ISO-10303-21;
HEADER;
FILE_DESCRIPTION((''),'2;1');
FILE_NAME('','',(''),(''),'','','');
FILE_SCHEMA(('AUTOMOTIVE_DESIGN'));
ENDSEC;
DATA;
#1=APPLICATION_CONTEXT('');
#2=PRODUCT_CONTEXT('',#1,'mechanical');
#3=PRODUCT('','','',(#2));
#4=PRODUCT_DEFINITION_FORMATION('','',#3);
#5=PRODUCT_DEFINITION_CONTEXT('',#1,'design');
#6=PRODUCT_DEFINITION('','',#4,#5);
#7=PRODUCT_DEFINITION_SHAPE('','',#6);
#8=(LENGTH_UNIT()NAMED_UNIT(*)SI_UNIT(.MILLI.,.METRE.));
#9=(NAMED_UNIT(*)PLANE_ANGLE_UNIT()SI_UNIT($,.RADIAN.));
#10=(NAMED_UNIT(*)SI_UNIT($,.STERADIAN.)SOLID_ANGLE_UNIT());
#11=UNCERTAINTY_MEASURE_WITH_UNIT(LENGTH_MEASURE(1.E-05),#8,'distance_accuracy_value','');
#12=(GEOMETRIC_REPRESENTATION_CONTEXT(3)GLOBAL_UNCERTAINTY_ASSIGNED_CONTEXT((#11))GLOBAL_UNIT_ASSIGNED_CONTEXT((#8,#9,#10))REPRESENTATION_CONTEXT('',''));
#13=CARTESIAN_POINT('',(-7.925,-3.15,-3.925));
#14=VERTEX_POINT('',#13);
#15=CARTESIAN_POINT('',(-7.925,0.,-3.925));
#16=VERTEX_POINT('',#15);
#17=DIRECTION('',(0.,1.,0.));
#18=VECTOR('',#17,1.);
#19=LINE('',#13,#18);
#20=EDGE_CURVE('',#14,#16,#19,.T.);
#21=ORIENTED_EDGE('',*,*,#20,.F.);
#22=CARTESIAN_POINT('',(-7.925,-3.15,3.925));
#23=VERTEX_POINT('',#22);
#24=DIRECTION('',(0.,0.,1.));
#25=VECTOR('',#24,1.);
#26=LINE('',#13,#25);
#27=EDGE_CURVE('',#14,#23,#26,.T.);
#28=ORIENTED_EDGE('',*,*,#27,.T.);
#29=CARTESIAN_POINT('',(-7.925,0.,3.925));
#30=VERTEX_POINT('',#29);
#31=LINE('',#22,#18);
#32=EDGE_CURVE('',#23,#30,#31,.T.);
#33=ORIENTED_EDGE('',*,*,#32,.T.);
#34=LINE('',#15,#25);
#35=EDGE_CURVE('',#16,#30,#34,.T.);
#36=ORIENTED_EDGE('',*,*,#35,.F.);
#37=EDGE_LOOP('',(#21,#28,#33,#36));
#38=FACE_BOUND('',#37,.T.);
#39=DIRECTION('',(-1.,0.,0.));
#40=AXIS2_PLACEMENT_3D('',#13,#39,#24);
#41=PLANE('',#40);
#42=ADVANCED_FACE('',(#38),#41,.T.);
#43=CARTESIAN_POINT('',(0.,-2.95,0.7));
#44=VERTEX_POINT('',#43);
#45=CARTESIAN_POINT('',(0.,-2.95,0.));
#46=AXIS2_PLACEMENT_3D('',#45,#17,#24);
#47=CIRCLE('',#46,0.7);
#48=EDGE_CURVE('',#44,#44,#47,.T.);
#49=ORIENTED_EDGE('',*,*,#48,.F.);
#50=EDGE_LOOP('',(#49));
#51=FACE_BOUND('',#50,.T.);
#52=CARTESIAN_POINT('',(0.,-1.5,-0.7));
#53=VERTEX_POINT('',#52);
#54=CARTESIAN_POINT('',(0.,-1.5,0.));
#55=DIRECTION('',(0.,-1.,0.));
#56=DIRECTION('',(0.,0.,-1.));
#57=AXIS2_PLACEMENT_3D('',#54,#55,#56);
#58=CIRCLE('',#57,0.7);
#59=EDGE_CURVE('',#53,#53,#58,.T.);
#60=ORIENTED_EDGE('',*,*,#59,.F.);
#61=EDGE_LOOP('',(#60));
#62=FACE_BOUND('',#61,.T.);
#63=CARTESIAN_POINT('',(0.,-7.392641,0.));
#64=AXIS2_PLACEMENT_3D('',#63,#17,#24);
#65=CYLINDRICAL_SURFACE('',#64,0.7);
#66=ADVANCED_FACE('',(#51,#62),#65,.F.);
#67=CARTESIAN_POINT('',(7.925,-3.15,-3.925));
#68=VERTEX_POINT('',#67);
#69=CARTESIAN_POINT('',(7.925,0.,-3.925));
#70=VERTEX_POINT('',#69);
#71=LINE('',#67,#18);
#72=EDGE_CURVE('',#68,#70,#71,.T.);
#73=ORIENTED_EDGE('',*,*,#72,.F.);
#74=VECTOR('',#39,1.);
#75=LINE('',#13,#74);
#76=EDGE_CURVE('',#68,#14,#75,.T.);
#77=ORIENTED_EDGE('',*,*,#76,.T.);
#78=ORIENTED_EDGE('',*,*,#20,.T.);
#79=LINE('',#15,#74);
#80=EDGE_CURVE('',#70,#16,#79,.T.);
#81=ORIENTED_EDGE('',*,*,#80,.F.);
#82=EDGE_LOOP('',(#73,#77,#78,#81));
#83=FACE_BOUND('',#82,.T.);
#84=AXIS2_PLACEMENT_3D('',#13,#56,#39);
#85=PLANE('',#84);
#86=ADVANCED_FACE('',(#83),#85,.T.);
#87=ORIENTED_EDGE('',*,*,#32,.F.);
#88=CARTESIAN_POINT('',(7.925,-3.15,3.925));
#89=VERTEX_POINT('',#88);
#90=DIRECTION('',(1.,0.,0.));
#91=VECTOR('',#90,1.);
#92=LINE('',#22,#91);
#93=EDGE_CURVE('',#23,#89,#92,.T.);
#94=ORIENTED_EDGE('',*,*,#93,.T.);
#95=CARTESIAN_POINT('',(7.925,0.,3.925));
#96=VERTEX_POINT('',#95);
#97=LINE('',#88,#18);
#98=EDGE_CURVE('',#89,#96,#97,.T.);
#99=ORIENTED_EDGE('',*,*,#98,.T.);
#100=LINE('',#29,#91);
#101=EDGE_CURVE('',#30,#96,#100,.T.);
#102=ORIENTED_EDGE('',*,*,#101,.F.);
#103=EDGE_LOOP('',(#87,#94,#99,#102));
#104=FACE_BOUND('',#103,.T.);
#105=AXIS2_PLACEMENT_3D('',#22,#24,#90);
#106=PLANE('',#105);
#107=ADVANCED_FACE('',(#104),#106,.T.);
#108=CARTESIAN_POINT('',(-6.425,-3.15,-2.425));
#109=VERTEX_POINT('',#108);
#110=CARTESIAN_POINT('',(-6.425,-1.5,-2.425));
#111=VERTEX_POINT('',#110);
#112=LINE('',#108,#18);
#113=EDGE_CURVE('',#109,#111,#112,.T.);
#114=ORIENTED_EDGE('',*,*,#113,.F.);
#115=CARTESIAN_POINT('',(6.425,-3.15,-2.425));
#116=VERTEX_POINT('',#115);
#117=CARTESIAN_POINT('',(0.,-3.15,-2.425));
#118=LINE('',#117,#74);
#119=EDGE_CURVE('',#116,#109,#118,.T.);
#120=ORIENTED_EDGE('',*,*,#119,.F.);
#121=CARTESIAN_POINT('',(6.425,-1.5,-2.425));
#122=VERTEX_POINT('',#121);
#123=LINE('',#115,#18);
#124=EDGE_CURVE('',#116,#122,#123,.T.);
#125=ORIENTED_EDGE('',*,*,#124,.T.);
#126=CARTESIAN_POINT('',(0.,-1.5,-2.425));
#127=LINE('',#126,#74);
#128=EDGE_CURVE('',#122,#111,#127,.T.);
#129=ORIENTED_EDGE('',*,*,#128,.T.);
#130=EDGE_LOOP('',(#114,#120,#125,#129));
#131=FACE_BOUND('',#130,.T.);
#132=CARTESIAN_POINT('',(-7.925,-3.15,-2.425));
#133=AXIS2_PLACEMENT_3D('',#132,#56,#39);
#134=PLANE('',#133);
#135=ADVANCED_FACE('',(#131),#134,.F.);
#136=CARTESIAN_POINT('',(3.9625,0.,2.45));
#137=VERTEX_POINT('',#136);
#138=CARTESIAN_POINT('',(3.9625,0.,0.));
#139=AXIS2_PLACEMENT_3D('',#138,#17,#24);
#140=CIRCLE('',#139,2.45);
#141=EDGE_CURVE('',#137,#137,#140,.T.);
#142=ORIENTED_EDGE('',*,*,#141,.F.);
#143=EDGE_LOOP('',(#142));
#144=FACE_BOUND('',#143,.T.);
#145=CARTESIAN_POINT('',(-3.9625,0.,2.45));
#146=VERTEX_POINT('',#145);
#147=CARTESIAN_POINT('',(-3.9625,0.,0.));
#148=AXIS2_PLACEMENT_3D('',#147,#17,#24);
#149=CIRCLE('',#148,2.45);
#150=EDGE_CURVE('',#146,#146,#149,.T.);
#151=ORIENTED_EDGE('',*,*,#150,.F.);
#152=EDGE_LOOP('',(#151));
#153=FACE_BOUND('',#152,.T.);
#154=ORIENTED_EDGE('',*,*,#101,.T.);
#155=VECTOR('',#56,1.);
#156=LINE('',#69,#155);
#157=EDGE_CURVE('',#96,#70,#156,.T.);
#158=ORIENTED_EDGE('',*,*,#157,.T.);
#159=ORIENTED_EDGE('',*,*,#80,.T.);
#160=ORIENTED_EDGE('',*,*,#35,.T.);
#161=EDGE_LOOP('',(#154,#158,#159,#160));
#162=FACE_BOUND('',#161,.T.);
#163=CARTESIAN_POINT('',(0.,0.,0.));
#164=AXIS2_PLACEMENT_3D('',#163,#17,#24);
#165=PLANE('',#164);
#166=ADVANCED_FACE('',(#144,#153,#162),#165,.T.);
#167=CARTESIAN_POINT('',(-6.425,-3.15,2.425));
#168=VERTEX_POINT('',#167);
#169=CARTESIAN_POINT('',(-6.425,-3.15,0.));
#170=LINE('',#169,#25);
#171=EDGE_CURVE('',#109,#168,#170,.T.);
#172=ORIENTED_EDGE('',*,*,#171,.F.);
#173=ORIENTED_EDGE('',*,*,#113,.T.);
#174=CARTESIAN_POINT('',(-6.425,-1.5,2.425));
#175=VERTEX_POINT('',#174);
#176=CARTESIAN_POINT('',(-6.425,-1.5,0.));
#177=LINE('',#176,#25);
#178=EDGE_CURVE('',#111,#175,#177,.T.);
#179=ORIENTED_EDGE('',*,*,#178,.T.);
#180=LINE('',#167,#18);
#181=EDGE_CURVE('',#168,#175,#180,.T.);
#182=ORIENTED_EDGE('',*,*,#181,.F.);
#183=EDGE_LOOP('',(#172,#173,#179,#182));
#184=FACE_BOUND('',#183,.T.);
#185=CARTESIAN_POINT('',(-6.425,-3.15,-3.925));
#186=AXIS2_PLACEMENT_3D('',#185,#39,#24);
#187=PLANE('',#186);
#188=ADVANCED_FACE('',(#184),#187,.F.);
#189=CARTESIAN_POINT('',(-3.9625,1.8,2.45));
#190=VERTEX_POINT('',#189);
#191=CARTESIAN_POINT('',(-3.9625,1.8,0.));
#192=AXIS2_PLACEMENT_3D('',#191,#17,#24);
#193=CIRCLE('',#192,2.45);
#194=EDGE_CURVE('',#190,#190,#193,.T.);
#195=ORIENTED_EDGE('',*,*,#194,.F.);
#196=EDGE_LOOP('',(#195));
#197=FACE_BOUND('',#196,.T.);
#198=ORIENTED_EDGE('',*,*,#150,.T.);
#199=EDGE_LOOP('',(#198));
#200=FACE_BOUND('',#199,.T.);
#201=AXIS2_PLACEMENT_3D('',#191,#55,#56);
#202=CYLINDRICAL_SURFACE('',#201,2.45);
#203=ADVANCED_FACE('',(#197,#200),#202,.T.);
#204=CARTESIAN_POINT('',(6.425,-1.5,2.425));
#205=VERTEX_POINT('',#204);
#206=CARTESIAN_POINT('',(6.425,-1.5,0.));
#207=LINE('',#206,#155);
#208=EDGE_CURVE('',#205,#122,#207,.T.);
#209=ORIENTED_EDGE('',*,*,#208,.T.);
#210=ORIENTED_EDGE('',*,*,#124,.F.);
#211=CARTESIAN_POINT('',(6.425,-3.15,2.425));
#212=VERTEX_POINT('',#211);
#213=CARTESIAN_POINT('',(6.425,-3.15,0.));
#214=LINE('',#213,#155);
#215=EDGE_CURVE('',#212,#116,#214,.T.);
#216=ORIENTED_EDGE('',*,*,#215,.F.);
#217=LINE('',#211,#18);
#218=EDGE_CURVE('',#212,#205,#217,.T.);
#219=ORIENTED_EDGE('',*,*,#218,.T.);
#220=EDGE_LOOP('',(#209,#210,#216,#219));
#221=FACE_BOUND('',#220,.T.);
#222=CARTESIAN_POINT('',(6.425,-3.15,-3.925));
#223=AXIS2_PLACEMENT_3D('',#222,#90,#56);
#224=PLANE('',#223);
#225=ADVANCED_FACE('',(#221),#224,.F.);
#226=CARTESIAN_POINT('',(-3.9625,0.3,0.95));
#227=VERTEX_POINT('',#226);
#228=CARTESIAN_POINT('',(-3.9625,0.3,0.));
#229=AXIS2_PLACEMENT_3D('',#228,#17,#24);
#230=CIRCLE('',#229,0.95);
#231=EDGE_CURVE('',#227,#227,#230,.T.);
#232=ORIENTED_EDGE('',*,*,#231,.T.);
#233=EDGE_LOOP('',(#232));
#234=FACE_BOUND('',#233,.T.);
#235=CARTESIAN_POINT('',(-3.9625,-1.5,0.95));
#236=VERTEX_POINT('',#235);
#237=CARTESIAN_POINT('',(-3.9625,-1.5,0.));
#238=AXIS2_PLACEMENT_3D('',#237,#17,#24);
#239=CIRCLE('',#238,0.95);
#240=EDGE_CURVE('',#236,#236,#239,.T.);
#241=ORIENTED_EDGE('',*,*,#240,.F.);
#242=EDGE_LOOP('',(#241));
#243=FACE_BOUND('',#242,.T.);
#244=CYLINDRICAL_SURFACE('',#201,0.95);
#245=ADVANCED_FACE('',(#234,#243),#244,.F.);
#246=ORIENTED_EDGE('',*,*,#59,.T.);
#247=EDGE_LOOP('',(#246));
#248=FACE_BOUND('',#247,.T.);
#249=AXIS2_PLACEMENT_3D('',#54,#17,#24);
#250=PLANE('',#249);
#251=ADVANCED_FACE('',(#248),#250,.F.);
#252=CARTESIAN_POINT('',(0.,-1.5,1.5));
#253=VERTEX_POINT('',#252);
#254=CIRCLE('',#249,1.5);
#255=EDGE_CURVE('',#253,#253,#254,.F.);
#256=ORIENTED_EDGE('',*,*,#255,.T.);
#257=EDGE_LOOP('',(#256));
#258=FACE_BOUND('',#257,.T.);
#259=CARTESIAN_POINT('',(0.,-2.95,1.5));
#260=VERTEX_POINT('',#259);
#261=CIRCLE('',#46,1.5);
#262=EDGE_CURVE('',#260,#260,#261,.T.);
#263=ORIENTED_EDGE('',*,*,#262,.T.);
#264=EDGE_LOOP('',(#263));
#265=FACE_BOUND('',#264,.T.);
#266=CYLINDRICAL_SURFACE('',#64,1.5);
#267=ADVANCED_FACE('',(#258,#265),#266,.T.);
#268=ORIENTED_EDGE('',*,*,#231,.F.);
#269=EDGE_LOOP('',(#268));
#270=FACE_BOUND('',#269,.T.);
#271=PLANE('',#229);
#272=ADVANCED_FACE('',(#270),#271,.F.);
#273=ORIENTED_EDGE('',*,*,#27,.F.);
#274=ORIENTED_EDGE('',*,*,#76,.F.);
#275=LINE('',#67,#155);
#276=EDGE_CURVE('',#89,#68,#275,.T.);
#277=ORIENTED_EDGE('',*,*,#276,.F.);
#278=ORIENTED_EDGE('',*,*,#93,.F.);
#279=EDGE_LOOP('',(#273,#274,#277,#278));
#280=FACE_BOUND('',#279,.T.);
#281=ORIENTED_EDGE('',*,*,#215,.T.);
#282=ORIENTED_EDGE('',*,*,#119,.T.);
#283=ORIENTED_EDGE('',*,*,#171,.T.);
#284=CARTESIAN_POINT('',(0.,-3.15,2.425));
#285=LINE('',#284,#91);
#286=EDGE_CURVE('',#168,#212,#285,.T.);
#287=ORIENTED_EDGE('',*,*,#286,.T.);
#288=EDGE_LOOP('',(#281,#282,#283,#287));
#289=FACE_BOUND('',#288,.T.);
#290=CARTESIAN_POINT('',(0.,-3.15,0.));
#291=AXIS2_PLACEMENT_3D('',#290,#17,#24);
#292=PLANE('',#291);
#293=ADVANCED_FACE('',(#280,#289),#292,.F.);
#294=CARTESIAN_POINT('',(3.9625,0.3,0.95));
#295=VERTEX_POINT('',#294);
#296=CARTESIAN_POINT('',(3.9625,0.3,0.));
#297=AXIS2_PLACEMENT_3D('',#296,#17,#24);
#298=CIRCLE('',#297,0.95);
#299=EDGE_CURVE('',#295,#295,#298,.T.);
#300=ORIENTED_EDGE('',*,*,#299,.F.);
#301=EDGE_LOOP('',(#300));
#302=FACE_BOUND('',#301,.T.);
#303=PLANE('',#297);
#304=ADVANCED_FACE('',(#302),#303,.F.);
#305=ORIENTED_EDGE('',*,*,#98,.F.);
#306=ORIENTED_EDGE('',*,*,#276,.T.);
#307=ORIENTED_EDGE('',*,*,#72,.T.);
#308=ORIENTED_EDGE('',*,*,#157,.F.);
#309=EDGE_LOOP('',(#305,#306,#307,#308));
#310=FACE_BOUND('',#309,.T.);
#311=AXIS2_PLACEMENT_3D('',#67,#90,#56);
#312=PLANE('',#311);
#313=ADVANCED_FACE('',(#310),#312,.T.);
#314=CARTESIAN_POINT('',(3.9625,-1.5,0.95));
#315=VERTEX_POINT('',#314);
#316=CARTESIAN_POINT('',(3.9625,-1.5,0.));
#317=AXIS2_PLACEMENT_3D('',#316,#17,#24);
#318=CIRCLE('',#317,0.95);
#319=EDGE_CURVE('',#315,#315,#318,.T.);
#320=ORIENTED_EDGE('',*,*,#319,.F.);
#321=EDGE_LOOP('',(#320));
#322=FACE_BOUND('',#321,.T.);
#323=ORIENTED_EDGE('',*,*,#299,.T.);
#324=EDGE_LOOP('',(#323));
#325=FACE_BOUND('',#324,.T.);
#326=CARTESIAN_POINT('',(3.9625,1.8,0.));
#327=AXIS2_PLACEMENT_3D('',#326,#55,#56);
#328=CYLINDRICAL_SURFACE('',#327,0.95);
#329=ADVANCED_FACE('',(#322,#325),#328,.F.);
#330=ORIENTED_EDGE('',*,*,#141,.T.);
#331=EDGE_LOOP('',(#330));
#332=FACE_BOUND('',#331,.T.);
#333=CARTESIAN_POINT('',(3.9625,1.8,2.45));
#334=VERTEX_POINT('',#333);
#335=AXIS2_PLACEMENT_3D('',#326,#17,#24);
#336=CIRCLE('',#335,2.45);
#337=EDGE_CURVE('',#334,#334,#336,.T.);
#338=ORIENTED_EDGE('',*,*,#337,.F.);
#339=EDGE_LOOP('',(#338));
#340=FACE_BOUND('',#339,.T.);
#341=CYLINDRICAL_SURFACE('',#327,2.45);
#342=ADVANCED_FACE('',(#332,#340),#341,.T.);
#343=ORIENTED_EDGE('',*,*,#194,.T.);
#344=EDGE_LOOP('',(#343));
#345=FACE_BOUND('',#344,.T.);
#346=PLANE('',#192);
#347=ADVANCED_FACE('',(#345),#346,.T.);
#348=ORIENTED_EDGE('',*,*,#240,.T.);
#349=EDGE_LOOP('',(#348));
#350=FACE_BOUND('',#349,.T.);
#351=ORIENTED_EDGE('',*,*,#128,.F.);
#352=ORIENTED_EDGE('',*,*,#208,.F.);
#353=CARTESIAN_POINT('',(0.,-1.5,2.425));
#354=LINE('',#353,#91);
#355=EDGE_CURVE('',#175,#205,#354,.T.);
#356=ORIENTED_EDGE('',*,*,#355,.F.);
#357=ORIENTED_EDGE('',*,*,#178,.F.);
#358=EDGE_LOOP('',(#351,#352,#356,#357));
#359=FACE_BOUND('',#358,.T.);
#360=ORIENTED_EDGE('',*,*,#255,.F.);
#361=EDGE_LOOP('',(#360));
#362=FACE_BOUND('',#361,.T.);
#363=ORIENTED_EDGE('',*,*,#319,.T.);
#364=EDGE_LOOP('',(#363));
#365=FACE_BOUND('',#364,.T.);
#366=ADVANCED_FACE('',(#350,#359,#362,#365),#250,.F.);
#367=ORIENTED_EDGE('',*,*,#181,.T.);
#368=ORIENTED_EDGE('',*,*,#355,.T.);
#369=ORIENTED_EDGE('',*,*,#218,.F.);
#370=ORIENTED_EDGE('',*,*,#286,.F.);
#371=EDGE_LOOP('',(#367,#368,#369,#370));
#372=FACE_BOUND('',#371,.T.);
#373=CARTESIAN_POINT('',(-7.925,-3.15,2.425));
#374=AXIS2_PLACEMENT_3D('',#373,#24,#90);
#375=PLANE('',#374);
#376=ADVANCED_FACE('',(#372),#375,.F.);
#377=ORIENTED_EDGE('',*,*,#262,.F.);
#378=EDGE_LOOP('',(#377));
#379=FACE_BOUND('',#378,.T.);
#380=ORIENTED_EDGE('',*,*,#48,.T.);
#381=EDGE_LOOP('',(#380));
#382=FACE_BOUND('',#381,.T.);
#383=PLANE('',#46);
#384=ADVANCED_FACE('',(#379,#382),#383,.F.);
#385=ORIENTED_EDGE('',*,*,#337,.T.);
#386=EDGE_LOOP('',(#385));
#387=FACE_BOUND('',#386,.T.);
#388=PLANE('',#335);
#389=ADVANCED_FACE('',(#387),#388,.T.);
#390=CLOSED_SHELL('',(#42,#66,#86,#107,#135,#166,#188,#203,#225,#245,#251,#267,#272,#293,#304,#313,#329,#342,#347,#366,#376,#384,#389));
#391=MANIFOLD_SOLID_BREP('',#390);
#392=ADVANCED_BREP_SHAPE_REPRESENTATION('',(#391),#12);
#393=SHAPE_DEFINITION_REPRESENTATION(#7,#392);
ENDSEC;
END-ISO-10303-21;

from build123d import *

# Parameters (mm, degrees)
SKETCH1_W           = 15.85
SKETCH1_H           = 7.85
BOSS_EXTRUDE1_DEPTH = 3.15
SKETCH2_R           = 2.45
BOSS_EXTRUDE2_DEPTH = 1.8
SHELL1_T            = -1.5
SKETCH3_R           = 1.5
SKETCH3_R_2         = 0.7
BOSS_EXTRUDE3_DEPTH = 1.45


with BuildPart() as part:
    # Sketch1 → Boss-Extrude1 (new body)
    with BuildSketch(Plane(origin=(0, 0, 0), x_dir=(1, 0, 0), z_dir=(0, 1, 0))):
        Rectangle(SKETCH1_W, SKETCH1_H)
    extrude(amount=-BOSS_EXTRUDE1_DEPTH)

    # Sketch2 → Boss-Extrude2 (add)
    with BuildSketch(Plane(origin=(0, 0, 0), x_dir=(1, 0, 0), z_dir=(0, 1, 0))):
        with Locations(Location((-3.9625, 0, 0), (0, 0, 270))):
            Circle(SKETCH2_R)
        with Locations(Location((3.9625, 0, 0), (0, 0, 270))):
            Circle(SKETCH2_R)
    extrude(amount=BOSS_EXTRUDE2_DEPTH)

    # Shell1
    shell1_openings = [part.faces().sort_by_distance(p)[0] for p in [
        (0, -3.15, 0),
    ]]
    offset(amount=SHELL1_T, openings=shell1_openings, kind=Kind.INTERSECTION)

    # Sketch3 → Boss-Extrude3 (add)
    with BuildSketch(Plane.XZ.offset(1.5)):
        with Locations(Location((0, 0, 0), (0, 0, 90))):
            Circle(SKETCH3_R)
        with Locations(Location((0, 0, 0), (0, 0, 90))):
            Circle(SKETCH3_R_2, mode=Mode.SUBTRACT)
    extrude(amount=BOSS_EXTRUDE3_DEPTH)


solid = part.part
